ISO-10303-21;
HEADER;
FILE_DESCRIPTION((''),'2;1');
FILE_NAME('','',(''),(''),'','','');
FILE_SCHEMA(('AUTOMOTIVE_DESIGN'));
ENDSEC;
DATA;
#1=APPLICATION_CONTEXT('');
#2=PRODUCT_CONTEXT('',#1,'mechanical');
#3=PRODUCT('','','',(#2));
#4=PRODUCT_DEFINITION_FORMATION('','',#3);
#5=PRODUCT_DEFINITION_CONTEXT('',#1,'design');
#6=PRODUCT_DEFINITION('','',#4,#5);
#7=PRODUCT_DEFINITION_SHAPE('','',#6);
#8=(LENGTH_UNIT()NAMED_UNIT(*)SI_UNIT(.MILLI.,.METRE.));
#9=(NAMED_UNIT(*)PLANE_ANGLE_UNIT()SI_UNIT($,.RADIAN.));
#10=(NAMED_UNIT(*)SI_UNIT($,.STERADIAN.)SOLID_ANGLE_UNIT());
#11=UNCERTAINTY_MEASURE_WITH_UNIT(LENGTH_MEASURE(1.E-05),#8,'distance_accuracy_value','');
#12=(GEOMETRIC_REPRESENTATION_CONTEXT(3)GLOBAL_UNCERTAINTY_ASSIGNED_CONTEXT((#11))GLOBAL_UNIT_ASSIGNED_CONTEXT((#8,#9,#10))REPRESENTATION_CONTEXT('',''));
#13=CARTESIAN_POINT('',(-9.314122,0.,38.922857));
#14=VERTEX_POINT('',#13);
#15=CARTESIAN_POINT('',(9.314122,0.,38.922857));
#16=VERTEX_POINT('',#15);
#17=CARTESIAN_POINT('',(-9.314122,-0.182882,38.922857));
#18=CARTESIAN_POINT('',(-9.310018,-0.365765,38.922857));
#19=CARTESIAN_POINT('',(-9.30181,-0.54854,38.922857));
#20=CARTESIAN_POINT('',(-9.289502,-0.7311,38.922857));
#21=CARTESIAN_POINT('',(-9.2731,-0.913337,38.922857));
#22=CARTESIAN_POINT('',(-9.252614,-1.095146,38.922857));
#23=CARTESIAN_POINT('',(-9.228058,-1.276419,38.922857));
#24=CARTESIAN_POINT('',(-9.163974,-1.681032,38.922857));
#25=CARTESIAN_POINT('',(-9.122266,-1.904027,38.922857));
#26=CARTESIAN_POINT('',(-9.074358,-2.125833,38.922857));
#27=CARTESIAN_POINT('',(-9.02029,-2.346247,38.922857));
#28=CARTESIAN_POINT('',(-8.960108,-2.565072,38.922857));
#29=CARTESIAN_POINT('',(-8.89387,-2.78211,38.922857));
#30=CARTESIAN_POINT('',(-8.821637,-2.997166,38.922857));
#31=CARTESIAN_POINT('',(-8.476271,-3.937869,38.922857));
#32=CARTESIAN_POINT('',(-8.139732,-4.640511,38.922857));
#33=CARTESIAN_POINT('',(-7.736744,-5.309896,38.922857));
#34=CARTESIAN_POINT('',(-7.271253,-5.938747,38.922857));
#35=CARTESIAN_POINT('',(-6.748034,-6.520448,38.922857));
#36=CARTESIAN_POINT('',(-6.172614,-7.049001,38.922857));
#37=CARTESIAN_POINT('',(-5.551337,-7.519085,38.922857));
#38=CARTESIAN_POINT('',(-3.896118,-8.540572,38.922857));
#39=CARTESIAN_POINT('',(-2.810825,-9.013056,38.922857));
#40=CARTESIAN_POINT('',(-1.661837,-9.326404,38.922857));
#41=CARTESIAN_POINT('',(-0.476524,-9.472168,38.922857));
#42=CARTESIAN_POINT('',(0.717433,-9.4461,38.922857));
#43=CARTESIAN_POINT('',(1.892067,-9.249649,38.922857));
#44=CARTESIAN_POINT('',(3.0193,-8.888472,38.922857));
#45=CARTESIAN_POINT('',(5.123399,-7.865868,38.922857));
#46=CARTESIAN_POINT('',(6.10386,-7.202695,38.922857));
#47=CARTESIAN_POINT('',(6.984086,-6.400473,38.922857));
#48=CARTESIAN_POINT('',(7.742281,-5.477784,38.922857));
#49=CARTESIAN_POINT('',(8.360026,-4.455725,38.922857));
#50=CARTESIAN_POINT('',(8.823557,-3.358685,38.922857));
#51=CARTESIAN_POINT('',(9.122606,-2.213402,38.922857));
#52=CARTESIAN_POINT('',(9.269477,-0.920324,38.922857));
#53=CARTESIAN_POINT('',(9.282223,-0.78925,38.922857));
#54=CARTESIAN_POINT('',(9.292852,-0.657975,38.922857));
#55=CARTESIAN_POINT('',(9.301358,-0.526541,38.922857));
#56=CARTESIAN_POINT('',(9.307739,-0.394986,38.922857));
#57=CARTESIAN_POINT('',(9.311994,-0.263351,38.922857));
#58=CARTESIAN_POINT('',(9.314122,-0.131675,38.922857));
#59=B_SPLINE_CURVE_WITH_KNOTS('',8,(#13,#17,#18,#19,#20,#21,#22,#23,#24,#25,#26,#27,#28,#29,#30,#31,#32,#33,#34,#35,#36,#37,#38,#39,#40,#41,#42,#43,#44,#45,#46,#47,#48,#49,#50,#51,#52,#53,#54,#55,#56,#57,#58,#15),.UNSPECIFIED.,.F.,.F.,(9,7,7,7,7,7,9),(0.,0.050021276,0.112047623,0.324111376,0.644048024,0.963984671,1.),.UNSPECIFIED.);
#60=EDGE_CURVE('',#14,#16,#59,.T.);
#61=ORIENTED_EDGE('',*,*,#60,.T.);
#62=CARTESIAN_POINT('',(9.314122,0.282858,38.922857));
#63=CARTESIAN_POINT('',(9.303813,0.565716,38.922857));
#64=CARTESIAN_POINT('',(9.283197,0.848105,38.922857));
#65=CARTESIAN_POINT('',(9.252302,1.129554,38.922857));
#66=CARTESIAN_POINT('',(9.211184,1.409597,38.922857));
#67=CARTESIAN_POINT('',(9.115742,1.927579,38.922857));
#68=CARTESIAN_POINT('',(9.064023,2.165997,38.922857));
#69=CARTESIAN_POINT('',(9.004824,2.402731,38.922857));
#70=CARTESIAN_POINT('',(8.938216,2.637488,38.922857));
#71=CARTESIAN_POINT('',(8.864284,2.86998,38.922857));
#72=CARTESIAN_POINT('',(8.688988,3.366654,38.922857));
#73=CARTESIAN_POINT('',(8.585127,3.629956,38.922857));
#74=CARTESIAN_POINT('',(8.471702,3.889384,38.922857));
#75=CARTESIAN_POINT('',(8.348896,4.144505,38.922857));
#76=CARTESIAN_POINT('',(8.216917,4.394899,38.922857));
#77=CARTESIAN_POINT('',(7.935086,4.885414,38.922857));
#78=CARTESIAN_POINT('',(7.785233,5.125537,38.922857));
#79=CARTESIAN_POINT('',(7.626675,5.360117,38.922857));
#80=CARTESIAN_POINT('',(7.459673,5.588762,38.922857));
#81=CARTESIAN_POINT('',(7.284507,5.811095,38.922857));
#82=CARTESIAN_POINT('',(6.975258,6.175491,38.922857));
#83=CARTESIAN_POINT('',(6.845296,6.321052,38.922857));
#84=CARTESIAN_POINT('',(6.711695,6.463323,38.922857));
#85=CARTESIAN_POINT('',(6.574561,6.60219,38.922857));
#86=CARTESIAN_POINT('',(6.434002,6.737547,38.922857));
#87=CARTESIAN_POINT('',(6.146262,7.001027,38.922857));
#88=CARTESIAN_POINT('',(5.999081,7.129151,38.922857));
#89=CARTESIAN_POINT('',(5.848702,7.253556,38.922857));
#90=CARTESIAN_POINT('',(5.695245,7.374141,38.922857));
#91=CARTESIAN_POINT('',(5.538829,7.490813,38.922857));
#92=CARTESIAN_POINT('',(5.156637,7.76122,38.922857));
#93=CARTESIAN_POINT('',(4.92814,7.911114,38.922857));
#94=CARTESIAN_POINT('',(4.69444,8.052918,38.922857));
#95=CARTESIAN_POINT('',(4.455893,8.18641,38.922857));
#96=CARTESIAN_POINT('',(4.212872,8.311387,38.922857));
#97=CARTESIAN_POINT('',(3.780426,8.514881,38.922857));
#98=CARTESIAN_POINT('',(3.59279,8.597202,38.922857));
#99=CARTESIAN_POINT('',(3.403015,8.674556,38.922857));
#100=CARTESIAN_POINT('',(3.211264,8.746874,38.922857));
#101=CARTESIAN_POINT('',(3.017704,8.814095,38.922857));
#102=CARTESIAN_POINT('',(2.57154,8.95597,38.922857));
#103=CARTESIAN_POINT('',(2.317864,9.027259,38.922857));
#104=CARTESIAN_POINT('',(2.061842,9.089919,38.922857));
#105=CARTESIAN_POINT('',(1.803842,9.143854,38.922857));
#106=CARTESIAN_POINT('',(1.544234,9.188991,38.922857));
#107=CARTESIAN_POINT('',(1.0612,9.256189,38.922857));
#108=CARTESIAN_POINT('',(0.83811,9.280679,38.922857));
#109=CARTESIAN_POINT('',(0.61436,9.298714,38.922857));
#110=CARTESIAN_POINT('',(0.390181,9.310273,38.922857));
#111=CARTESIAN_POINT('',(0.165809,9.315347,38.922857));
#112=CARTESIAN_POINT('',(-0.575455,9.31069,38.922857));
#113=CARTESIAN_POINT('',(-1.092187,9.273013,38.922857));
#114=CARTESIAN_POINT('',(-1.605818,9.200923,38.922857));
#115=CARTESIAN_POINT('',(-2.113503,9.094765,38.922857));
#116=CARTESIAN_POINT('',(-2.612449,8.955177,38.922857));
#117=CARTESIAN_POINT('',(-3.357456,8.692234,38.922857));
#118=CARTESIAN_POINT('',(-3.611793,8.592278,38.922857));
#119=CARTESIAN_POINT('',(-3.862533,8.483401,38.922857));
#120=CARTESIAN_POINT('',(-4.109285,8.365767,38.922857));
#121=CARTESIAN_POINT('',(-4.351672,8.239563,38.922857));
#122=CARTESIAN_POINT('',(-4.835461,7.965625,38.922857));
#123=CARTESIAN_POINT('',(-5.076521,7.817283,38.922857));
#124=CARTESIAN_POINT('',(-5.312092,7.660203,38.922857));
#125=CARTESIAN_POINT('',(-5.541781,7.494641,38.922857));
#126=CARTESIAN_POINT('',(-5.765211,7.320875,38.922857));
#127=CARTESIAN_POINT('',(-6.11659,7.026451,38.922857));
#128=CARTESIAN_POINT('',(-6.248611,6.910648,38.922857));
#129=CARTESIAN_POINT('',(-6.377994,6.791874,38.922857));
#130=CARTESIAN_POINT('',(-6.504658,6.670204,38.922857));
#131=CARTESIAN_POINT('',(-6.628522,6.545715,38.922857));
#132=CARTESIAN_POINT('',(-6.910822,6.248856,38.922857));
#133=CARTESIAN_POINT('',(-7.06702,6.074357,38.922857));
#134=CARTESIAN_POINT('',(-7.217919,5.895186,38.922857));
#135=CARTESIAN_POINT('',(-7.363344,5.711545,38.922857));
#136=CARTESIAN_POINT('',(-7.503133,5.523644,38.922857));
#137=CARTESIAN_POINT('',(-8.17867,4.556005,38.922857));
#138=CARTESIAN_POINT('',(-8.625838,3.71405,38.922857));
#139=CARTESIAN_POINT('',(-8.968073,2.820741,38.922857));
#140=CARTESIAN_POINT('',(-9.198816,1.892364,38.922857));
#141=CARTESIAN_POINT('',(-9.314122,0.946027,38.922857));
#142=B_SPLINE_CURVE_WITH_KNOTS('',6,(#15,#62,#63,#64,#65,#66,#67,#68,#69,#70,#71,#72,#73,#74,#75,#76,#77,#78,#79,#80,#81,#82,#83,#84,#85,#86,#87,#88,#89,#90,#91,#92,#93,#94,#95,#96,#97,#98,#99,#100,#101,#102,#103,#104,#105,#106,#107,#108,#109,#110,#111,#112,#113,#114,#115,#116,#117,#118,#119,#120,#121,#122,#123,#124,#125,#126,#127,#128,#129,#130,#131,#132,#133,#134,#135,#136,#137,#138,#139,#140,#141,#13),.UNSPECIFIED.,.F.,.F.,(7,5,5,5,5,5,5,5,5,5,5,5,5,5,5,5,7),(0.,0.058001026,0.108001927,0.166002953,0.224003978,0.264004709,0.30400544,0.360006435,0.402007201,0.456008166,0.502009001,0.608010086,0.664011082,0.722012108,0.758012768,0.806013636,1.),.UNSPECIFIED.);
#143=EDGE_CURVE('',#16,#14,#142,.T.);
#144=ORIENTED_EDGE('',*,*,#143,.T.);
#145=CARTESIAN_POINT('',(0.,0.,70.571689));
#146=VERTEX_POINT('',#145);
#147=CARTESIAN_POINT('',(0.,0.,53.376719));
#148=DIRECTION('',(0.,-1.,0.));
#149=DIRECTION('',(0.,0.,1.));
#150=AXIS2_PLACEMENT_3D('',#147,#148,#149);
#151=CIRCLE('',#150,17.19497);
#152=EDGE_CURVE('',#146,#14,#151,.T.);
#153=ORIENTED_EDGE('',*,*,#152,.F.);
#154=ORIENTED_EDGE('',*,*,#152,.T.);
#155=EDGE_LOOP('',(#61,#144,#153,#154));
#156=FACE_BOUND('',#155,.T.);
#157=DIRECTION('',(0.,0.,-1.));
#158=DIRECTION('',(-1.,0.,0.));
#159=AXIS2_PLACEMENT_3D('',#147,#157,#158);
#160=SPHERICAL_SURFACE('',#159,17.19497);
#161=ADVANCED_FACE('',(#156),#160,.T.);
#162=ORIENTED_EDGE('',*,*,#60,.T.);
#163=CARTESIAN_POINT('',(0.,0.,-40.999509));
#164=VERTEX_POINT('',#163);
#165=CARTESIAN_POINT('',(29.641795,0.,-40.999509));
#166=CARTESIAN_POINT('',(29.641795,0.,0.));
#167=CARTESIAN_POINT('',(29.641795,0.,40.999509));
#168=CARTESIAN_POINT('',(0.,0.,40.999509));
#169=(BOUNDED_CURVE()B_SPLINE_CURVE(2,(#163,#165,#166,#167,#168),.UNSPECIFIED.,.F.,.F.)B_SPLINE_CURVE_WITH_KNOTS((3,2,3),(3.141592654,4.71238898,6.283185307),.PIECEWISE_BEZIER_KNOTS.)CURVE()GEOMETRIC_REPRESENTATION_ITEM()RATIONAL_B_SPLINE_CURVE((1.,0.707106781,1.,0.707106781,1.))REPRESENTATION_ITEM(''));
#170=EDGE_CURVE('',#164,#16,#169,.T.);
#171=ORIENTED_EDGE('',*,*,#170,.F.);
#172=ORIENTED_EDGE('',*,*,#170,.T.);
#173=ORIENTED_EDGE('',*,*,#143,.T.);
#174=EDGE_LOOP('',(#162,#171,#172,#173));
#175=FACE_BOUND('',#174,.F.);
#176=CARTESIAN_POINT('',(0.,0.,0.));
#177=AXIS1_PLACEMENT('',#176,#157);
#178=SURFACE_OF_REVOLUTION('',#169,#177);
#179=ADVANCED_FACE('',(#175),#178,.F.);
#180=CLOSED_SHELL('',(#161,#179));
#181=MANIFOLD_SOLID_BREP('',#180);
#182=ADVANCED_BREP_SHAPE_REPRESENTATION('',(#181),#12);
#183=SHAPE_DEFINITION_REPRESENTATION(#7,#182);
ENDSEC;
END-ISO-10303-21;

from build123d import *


with BuildPart() as f1:
    # F0 (on Front) → F1 (revolve)
    with BuildSketch(Plane.XZ):
        with BuildLine():
            Line((0, 36.1817493667), (0, 70.5716893445))
            ThreePointArc((0, 70.5716893445), (-17.1949699889, 53.3767193556), (0, 36.1817493667))
        make_face()
    revolve(axis=Axis((0, 0, 53.3767193556), (0, 0, -1)))

    # F2 (on Front) → F3 (revolve)
    with BuildSketch(Plane.XZ):
        with BuildLine():
            Line((0, 40.9995093942), (0, -40.9995093942))
            add(Edge.make_bspline(
                [(0, -40.9995093942), (29.6417953135, -40.9995093942), (29.6417953135, 0), (29.6417953135, 40.9995093942), (0, 40.9995093942)],
                knots=[3.1415926536, 3.1415926536, 3.1415926536, 4.7123889804, 4.7123889804, 6.2831853072, 6.2831853072, 6.2831853072], degree=2, weights=[1, 0.7071067812, 1, 0.7071067812, 1]))
        make_face()
    revolve(axis=Axis((0, 0, 0), (0, 0, -1)))


solid = f1.part
